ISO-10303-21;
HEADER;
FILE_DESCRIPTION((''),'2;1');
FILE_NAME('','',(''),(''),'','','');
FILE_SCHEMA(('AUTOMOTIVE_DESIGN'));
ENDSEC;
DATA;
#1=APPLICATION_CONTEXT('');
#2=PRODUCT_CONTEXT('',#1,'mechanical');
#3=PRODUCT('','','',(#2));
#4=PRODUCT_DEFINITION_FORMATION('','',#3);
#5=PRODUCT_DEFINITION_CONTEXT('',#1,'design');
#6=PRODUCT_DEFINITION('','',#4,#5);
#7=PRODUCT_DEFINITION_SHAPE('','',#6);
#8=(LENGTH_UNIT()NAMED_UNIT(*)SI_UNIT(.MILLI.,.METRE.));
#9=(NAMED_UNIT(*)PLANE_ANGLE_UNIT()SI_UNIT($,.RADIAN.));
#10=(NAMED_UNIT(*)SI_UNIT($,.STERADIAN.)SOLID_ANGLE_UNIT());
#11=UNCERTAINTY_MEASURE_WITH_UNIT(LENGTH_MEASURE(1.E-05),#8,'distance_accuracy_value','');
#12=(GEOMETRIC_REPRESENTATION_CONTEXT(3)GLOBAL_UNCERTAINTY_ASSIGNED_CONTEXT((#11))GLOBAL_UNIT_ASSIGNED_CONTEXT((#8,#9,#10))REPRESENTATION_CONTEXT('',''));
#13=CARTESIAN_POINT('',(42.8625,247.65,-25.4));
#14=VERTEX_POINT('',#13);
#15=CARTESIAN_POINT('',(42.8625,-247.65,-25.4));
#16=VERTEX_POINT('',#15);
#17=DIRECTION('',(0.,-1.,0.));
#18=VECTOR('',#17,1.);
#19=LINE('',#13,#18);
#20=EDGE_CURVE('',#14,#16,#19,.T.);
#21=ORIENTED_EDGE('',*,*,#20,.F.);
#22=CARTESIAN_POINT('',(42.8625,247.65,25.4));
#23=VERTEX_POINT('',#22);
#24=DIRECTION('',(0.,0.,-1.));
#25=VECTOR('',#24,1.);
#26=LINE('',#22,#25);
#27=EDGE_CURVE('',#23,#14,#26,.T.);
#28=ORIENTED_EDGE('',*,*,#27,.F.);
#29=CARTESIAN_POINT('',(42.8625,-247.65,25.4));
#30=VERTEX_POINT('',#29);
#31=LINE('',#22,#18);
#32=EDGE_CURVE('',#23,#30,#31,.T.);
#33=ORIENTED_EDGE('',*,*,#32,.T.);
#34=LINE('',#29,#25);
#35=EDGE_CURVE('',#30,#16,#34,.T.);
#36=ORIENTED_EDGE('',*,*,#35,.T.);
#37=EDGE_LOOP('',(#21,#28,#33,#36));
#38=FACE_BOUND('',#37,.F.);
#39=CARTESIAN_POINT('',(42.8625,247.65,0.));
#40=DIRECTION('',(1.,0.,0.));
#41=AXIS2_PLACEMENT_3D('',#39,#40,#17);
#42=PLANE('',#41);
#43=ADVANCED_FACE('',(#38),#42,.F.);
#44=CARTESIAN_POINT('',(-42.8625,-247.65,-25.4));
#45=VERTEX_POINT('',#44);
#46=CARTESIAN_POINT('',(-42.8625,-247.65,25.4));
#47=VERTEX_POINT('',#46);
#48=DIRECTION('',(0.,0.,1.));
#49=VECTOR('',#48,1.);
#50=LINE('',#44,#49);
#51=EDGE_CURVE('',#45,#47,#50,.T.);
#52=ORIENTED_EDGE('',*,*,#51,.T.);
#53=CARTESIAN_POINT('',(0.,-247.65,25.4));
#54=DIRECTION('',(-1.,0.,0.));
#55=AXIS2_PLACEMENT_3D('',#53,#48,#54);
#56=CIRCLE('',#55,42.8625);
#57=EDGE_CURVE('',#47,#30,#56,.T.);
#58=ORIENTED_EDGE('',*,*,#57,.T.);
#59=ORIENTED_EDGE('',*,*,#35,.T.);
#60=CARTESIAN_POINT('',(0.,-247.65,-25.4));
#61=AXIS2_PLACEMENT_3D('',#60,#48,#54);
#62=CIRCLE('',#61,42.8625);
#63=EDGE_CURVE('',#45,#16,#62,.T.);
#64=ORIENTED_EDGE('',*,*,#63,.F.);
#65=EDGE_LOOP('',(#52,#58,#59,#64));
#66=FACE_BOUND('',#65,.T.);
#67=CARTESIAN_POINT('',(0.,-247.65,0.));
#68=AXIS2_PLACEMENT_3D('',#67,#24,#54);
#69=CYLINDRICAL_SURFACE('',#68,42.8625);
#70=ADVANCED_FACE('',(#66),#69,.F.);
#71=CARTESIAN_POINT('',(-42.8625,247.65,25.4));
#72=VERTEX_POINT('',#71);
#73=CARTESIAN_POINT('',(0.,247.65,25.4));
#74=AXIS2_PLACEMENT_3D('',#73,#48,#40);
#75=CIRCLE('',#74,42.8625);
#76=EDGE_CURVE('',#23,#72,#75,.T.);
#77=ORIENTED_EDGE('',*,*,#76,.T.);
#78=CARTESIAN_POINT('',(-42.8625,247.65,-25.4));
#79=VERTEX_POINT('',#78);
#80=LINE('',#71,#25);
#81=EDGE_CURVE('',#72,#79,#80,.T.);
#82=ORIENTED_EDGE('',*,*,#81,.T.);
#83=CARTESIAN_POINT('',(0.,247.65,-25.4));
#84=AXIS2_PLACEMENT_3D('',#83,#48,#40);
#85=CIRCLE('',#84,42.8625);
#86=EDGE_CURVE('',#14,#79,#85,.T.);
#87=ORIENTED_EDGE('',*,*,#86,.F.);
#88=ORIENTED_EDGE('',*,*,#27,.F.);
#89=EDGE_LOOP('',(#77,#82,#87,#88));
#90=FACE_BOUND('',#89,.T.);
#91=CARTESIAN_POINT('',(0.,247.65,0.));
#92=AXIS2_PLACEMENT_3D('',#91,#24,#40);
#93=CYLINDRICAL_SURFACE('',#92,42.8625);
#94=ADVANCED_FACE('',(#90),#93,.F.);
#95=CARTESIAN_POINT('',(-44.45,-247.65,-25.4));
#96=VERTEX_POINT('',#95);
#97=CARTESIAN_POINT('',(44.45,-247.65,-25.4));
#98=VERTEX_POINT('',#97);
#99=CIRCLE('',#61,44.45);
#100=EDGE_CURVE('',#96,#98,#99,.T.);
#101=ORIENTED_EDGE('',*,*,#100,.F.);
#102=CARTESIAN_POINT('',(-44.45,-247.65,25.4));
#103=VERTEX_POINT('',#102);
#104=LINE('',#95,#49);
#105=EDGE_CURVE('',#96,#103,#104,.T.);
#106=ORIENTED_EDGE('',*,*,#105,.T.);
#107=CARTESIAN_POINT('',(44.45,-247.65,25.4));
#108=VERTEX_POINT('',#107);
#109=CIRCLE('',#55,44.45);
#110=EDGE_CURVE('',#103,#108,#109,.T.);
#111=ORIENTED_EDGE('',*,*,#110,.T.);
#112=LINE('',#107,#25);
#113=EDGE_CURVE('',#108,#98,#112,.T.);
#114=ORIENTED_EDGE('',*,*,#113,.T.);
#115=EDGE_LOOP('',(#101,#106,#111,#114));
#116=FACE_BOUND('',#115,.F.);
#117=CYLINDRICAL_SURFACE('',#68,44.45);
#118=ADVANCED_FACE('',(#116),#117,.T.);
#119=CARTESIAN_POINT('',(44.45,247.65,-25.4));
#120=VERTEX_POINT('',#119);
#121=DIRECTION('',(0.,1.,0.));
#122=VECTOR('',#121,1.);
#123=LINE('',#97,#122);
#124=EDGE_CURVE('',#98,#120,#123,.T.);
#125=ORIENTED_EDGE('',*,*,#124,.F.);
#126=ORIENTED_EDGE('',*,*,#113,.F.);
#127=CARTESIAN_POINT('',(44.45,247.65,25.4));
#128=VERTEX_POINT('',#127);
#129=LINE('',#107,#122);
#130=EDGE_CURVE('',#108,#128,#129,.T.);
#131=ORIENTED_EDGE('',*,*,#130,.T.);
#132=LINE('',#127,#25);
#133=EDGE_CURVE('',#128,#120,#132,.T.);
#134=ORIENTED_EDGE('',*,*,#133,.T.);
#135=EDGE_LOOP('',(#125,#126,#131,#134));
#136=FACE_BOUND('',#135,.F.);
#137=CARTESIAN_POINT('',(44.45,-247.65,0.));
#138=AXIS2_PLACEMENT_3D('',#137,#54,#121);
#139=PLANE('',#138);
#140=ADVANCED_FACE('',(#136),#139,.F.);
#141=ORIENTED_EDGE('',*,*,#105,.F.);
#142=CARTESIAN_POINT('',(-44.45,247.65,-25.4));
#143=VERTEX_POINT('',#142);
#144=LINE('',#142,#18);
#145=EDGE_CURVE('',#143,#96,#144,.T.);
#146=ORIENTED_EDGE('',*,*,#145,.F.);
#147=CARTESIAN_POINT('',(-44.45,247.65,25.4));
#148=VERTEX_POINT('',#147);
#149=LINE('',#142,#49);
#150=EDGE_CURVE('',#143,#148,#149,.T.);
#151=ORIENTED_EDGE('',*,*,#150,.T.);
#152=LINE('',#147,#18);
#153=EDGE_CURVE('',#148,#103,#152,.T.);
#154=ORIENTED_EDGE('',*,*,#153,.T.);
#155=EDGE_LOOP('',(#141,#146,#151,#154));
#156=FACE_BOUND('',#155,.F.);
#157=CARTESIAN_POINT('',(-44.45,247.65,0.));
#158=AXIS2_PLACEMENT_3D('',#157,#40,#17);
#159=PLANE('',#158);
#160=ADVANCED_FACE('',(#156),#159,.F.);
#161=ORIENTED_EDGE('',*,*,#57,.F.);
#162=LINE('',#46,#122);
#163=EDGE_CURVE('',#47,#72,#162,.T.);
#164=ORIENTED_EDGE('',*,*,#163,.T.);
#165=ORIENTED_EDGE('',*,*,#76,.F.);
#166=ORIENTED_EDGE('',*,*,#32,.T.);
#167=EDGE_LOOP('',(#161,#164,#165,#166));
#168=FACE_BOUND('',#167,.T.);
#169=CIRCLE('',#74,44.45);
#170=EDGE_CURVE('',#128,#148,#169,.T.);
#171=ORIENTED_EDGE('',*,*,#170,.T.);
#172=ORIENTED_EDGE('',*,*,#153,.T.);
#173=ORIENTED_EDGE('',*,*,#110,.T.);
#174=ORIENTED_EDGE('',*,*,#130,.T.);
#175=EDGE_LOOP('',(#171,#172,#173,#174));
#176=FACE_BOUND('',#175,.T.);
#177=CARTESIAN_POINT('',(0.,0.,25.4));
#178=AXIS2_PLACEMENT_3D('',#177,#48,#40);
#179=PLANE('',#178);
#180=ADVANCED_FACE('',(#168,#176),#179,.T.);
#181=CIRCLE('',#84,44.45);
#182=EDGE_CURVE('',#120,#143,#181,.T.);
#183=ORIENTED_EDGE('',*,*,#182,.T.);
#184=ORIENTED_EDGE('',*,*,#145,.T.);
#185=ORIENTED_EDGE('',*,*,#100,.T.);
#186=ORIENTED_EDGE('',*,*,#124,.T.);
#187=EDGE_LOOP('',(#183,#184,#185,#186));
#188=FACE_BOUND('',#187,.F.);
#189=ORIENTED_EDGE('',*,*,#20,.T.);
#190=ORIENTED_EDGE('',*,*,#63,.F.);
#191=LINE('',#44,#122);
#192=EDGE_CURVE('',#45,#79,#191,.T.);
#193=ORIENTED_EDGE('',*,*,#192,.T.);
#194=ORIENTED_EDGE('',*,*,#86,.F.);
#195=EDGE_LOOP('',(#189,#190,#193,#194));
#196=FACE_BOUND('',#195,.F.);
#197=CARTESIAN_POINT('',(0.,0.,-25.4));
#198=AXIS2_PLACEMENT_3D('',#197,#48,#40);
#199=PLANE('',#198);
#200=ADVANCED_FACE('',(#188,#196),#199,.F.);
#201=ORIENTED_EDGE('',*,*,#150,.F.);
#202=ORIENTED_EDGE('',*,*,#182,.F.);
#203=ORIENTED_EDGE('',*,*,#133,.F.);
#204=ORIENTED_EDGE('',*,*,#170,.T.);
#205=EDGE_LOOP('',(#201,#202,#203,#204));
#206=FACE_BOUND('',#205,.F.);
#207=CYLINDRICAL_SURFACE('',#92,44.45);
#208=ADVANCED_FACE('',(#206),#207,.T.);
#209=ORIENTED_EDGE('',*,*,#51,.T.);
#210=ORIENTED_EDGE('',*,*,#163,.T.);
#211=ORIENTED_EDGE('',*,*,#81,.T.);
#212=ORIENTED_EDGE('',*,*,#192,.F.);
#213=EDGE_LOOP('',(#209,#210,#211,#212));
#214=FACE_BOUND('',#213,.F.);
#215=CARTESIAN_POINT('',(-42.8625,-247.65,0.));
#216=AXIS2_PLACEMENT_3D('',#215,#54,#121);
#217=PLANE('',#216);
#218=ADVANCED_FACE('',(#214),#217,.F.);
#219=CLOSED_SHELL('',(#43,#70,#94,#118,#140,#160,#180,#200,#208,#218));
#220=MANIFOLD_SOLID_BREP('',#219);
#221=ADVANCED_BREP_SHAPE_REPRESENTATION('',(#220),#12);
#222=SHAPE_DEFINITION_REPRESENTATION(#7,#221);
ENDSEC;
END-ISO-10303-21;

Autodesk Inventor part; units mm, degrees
ref_plane "YZ Plane" through (0, 0, 0) normal (1, 0, 0) x (0, 1, 0)
ref_plane "XZ Plane" through (0, 0, 0) normal (0, 1, 0) x (-1, 0, 0)
ref_plane "XY Plane" through (0, 0, 0) normal (0, 0, 1) x (1, 0, 0)
sketch "Sketch1" plane through (0, 0, 0) normal (0, 0, 1) x (1, 0, 0)
  line L0 (0, 247.65) -> (0, -247.65) construction
  line L1 (-44.45, 247.65) -> (-44.45, -247.65)
  line L2 (44.45, -247.65) -> (44.45, 247.65)
  arc A0 (44.45, 247.65) -> (-44.45, 247.65) centre (0, 247.65) ccw
  arc A1 (-44.45, -247.65) -> (44.45, -247.65) centre (0, -247.65) ccw
  line L3 (-42.8625, -247.65) -> (-42.8625, 247.65)
  arc A2 (42.8625, 247.65) -> (-42.8625, 247.65) centre (0, 247.65) ccw
  line L4 (42.8625, 247.65) -> (42.8625, -247.65)
  arc A3 (-42.8625, -247.65) -> (42.8625, -247.65) centre (0, -247.65) ccw
  point P0 (0, 0)
  dimension "d0" = 495.3
  dimension "d1" = 44.45
  dimension "d2" = 1.5875
extrude "Extrusion1" add sketch "Sketch1" along normal mid plane 50.8
properties part number "1_16 Thick x 2 Wide Urethane Flat Belting (10 Long)(217-6002)" material "Rubber"
